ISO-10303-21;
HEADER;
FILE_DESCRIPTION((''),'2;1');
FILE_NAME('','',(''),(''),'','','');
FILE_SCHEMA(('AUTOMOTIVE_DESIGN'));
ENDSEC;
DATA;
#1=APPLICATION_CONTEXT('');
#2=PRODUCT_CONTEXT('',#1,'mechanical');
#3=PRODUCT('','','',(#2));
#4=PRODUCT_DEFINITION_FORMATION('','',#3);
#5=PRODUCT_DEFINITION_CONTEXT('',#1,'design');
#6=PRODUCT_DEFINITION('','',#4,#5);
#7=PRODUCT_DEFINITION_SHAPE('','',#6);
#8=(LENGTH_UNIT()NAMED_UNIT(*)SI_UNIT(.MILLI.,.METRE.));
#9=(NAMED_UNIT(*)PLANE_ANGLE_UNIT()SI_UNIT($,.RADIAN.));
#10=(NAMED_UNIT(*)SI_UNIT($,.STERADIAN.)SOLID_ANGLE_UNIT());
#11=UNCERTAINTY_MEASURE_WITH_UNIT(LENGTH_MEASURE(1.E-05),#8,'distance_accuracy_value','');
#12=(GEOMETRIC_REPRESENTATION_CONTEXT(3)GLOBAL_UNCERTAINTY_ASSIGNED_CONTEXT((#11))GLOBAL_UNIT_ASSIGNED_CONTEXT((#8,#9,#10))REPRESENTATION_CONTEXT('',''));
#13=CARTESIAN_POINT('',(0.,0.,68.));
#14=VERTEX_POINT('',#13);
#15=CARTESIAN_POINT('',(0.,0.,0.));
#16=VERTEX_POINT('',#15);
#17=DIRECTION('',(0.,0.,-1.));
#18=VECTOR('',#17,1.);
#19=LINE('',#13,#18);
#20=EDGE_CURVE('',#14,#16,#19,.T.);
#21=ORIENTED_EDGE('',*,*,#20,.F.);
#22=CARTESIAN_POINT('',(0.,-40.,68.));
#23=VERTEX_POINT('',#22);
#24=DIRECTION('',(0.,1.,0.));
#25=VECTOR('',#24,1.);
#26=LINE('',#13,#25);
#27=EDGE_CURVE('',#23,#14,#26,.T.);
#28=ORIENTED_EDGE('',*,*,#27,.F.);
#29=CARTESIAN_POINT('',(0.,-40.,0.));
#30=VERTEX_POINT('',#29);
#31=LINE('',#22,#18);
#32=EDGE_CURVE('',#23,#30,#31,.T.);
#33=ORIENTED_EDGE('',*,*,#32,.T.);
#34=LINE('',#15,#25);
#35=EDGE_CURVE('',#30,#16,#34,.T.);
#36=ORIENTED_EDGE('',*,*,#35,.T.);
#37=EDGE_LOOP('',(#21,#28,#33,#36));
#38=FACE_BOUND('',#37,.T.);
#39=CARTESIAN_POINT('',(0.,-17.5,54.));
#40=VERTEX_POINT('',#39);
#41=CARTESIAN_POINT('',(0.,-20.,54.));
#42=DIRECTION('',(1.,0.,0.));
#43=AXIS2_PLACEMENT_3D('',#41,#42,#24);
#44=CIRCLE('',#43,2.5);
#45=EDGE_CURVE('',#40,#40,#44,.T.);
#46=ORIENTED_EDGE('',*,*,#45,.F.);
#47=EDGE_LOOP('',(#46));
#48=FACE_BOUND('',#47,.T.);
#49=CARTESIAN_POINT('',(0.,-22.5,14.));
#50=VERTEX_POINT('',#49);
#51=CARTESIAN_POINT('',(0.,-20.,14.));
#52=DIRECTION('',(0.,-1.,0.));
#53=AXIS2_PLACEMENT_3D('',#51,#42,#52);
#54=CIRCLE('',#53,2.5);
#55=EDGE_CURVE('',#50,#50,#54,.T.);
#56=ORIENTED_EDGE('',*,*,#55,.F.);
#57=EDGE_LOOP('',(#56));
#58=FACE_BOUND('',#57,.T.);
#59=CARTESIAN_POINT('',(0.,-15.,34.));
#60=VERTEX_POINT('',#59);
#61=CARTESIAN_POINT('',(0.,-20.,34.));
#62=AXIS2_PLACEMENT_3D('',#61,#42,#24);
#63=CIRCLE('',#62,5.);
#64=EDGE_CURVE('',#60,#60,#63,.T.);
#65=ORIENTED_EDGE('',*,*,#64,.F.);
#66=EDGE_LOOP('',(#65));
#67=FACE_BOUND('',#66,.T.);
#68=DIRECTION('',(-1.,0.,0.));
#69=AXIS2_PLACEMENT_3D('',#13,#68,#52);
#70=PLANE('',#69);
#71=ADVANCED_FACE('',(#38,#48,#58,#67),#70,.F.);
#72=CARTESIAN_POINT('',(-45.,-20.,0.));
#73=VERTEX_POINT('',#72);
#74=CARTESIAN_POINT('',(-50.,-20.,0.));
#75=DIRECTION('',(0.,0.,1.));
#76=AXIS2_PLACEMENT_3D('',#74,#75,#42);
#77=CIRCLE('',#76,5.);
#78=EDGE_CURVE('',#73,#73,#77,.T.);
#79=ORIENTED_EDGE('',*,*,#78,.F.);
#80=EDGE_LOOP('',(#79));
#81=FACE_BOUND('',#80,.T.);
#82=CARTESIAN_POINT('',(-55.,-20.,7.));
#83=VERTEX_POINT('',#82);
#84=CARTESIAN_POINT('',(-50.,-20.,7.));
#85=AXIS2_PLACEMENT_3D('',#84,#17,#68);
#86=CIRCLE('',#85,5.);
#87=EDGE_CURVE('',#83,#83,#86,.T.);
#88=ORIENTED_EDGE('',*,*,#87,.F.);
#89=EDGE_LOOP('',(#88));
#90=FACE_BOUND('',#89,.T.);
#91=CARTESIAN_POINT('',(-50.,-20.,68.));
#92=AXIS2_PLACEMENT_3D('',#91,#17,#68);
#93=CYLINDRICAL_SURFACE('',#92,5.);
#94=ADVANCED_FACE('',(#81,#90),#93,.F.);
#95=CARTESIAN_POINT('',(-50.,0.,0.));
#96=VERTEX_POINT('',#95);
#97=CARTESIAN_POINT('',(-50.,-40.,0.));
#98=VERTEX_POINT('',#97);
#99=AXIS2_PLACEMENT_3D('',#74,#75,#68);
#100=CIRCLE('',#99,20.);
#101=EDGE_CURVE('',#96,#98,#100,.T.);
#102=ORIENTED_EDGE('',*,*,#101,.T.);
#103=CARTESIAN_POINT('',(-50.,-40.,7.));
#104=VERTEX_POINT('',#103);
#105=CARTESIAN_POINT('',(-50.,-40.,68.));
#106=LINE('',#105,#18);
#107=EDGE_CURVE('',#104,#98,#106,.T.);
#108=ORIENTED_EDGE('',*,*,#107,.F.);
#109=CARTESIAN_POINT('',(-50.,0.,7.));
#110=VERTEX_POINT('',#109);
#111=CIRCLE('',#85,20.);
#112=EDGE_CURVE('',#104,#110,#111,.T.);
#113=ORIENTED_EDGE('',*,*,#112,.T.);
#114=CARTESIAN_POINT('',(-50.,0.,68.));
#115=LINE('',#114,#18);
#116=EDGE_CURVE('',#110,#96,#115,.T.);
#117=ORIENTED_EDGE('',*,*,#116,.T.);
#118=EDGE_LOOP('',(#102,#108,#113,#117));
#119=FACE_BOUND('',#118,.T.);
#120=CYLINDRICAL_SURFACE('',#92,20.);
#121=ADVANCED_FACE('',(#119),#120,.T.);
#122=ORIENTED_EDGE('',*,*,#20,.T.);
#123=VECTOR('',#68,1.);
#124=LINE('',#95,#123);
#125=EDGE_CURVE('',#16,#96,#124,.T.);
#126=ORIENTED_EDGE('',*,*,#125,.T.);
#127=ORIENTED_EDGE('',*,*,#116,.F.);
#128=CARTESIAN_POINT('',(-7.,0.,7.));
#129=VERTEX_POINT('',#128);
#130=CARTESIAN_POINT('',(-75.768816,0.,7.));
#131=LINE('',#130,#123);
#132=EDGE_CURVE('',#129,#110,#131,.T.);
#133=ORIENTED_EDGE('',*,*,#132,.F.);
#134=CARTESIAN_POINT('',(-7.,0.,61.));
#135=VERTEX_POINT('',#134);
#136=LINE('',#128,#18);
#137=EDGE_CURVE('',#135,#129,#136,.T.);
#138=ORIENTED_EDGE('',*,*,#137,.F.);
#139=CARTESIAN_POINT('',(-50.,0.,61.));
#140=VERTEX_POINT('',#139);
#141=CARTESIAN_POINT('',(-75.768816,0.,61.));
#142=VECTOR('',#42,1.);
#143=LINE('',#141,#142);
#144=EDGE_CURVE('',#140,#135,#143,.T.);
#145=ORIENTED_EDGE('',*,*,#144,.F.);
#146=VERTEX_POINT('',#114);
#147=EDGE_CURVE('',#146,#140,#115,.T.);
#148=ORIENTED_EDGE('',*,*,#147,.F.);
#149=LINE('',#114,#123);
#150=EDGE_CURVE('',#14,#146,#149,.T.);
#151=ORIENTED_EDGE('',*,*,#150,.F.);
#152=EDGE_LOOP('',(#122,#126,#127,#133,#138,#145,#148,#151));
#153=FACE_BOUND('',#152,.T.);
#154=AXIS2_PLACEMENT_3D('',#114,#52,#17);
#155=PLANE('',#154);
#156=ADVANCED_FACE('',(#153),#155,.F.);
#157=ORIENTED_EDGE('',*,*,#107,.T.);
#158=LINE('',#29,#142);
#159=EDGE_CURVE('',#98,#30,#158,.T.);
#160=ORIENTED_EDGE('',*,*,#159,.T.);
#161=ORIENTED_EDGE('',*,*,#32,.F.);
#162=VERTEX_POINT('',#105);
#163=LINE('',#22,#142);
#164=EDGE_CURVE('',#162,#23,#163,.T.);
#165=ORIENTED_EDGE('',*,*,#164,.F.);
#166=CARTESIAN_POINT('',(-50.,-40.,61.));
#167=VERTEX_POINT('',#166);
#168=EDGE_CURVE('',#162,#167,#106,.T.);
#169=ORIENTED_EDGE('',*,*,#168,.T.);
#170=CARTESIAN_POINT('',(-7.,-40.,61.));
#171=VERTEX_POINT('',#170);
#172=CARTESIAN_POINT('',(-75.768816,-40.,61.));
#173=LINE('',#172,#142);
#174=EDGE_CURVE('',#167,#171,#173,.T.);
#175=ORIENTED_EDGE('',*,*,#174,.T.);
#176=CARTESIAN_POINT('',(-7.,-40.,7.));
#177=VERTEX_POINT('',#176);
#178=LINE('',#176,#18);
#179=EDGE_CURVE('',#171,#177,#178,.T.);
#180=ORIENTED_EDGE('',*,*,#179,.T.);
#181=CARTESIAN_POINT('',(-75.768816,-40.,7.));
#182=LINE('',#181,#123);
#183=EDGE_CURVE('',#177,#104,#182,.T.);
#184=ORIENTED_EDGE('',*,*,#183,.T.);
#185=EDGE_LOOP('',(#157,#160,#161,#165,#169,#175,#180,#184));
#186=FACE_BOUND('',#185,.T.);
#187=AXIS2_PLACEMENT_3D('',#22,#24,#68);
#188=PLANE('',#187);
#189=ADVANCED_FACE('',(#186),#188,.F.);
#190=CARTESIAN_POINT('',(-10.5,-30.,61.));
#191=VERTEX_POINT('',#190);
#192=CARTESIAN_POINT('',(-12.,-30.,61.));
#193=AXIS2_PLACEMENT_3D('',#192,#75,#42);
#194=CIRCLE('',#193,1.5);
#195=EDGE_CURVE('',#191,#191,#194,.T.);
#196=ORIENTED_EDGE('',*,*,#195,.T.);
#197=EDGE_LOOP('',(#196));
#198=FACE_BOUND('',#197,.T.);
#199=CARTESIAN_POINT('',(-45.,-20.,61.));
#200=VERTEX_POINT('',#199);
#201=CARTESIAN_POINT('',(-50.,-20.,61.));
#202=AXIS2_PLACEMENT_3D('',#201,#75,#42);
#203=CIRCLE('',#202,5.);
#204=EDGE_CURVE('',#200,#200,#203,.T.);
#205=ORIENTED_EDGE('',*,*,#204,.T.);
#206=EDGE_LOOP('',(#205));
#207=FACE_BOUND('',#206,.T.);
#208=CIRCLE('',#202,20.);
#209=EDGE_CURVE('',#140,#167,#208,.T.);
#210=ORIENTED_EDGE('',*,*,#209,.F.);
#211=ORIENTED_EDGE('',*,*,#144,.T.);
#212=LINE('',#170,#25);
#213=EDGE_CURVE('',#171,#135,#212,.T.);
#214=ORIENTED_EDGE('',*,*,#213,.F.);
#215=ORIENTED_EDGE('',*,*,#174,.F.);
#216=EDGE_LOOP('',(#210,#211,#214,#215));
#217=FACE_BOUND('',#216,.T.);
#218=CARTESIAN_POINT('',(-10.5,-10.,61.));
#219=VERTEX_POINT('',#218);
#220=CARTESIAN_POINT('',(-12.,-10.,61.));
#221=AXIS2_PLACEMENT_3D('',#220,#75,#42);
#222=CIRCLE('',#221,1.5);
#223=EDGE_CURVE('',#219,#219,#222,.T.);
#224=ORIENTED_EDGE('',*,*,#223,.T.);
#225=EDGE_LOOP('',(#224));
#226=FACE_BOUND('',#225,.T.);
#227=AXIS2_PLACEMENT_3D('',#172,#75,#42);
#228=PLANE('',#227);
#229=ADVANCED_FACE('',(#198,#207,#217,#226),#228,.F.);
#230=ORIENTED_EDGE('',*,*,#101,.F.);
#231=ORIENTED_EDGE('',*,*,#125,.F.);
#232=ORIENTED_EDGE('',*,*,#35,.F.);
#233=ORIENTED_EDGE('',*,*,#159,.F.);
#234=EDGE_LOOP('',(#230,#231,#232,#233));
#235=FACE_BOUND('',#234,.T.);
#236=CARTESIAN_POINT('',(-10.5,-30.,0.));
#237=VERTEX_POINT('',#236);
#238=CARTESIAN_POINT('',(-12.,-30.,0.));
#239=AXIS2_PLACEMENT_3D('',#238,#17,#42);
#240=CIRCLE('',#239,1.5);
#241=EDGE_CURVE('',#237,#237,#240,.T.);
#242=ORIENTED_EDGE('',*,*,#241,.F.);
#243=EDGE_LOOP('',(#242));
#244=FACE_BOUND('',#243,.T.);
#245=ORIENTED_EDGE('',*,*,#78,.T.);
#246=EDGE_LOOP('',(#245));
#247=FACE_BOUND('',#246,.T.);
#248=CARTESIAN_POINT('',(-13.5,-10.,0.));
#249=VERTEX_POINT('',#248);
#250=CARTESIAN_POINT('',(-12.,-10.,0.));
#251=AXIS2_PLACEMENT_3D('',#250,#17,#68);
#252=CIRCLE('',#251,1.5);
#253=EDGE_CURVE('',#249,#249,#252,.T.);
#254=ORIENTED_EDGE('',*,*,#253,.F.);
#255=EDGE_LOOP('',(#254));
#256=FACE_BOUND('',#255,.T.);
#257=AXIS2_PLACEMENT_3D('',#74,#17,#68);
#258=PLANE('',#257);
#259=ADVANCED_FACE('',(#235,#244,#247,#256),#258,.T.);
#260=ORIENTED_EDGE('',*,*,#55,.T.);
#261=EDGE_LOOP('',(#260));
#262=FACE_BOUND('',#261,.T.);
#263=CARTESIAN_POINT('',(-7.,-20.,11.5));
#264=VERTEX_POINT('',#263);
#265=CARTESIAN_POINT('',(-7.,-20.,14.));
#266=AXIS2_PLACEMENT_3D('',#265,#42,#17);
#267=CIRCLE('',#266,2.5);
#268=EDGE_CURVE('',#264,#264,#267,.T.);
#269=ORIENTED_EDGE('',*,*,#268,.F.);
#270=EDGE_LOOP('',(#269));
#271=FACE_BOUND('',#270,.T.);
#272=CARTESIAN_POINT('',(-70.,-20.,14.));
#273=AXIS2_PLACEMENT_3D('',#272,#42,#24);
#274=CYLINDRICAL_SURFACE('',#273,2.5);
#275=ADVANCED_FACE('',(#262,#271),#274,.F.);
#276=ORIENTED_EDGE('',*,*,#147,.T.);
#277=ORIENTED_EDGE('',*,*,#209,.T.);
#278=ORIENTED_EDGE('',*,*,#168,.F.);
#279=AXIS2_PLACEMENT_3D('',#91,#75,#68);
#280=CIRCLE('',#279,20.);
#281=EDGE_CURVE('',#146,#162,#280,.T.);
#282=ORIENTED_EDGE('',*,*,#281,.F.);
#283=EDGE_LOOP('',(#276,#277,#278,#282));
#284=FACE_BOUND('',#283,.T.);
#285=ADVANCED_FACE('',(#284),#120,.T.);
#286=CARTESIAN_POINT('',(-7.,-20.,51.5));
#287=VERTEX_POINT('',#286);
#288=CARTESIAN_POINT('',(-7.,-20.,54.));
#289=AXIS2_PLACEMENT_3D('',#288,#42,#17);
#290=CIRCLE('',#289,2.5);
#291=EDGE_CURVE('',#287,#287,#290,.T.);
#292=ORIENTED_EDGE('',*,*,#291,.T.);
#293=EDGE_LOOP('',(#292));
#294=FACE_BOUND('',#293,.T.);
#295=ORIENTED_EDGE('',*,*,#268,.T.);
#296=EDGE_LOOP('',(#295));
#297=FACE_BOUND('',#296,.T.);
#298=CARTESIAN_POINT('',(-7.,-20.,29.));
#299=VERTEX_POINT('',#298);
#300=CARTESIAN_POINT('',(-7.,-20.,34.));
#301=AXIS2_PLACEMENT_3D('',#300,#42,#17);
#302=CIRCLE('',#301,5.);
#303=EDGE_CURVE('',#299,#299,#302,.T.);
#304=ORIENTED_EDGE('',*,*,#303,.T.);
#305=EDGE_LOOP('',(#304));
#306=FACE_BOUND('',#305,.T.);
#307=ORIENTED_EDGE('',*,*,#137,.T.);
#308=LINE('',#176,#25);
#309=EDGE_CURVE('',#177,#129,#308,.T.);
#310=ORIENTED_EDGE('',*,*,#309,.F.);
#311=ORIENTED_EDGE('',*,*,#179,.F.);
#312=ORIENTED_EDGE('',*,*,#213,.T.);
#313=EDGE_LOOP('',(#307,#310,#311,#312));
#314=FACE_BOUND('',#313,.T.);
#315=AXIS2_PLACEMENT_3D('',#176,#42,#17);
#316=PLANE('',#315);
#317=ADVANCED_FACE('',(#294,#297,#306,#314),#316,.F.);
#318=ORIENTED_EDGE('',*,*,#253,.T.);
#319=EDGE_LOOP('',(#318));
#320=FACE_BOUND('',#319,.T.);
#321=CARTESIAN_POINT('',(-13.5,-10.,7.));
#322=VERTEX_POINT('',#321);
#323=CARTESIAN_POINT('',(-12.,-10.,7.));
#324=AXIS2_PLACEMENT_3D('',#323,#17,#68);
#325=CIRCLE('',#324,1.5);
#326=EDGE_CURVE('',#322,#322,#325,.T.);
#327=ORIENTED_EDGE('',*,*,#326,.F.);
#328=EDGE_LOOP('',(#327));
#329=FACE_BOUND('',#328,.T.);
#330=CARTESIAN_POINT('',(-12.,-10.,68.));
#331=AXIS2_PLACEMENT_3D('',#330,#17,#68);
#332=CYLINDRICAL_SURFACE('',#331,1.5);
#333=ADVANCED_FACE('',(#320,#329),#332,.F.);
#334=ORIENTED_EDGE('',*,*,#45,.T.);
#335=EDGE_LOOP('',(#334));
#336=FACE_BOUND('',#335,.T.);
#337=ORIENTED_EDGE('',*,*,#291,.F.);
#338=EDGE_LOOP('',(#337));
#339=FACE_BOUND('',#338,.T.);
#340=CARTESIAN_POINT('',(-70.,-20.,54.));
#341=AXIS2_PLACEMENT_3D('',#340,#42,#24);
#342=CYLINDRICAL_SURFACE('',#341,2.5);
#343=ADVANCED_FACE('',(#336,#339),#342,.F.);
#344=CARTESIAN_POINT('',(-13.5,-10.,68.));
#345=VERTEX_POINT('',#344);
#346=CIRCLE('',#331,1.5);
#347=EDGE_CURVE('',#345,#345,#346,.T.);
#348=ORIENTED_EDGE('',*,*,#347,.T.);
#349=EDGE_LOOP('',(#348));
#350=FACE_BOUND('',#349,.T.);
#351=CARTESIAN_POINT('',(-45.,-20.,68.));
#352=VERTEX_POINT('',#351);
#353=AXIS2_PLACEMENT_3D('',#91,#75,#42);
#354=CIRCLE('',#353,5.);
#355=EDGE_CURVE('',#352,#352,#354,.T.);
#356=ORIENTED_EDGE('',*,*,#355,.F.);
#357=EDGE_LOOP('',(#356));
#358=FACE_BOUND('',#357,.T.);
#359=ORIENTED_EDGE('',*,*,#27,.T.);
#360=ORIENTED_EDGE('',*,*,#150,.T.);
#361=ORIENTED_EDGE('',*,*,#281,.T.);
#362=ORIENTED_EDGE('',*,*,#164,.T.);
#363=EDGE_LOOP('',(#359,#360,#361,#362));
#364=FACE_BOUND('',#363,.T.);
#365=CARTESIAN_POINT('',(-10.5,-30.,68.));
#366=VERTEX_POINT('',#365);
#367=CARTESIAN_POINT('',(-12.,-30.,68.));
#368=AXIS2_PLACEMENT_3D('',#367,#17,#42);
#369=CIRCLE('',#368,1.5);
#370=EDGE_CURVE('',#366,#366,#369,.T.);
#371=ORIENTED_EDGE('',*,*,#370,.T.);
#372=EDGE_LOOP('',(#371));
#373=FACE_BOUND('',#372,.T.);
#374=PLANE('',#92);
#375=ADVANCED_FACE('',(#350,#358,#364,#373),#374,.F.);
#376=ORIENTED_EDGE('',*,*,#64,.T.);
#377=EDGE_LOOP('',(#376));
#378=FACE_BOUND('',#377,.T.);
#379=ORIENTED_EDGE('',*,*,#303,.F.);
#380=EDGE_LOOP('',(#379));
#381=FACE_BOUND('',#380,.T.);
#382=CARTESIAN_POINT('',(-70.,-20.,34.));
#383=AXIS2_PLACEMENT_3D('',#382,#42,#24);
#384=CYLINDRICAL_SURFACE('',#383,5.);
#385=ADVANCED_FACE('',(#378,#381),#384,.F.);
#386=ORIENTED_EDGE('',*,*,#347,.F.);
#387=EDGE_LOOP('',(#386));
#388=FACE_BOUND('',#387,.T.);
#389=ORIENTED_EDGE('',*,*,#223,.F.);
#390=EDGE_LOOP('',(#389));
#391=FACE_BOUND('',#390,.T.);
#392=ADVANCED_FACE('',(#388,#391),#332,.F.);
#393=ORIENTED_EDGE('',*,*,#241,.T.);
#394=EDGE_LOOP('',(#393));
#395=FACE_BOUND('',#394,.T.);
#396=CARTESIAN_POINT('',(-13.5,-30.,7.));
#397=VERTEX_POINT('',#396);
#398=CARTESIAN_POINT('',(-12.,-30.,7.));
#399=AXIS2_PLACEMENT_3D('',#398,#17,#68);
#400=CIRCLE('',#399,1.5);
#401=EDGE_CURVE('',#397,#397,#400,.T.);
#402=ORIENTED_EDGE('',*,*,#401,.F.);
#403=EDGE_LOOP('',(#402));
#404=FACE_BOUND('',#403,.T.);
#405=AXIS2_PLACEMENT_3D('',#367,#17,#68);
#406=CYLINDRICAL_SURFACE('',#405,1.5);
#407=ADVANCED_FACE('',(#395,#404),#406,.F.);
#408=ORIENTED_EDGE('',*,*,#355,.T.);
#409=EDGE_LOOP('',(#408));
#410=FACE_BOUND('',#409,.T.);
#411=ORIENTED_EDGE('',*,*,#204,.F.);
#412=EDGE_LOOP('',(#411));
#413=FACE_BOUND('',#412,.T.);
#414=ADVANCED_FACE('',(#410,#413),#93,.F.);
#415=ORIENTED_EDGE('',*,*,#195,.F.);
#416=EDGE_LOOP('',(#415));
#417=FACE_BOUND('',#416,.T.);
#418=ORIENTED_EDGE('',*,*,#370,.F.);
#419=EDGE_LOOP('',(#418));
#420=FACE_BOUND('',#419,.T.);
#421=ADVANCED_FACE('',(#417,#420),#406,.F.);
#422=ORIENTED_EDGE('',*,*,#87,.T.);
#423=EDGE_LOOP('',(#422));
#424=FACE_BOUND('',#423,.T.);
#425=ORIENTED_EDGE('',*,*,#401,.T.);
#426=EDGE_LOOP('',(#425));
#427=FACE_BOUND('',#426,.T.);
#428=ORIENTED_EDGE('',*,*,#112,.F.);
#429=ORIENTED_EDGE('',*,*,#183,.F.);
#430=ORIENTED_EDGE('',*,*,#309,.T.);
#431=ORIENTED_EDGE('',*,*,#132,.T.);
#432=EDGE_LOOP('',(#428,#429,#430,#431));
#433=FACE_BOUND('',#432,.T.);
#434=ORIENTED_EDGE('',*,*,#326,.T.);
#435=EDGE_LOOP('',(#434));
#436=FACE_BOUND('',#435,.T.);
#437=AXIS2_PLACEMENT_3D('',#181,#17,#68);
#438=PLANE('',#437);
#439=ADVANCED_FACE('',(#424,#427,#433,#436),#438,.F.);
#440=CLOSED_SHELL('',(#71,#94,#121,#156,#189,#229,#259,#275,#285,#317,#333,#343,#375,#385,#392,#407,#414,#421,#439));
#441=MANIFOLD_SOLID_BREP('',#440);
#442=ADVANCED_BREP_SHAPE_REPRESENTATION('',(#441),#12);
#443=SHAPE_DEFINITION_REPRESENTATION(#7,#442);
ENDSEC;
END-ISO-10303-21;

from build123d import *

# Parameters (mm, degrees)
SKETCH_1_R          = 5
EXTRUDE_1_DEPTH     = 68
SKETCH_2_W          = 68.768815545
SKETCH_2_H          = 54
CUT_EXTRUDE_1_DEPTH = 106.470374987
SKETCH_3_R          = 5
SKETCH_3_R_2        = 2.5
CUT_EXTRUDE_2_DEPTH = 106.470374987
SKETCH_4_R          = 1.5
CUT_EXTRUDE_3_DEPTH = 106.470374987


with BuildPart() as part:
    # ｽｹｯﾁ1 → ﾎﾞｽ - 押し出し1 (new body)
    with BuildSketch(Plane.XY):
        with BuildLine():
            Line((0, 0), (0, -40))
            Line((0, -40), (-50, -40))
            ThreePointArc((-50, -40), (-70, -20), (-50, 0))
            Line((-50, 0), (0, 0))
        make_face()
        with Locations((-50, -20)):
            Circle(SKETCH_1_R, mode=Mode.SUBTRACT)
    extrude(amount=EXTRUDE_1_DEPTH)

    # ｽｹｯﾁ2 → ｶｯﾄ - 押し出し1 (cut, through all)
    with BuildSketch(Plane(origin=(0, 0, 0), x_dir=(1, 0, 0), z_dir=(0, 1, 0))):
        with Locations((-41.384407773, -34)):
            Rectangle(SKETCH_2_W, SKETCH_2_H)
    extrude(amount=-CUT_EXTRUDE_1_DEPTH, mode=Mode.SUBTRACT)

    # ｽｹｯﾁ3 → ｶｯﾄ - 押し出し2 (cut, through all)
    with BuildSketch(Plane(origin=(0, 0, 0), x_dir=(0, 0, -1), z_dir=(1, 0, 0))):
        with Locations(Location((-34, -20, 0), (0, 0, 90))):
            Circle(SKETCH_3_R)
        with Locations(Location((-54, -20, 0), (0, 0, 90))):
            Circle(SKETCH_3_R_2)
        with Locations((-14, -20)):
            Circle(SKETCH_3_R_2)
    extrude(amount=-CUT_EXTRUDE_2_DEPTH, mode=Mode.SUBTRACT)

    # ｽｹｯﾁ4 → ｶｯﾄ - 押し出し3 (cut, through all)
    with BuildSketch(Plane(origin=(0, 0, 0), x_dir=(-1, 0, 0), z_dir=(0, 0, -1))):
        with Locations((12, -10)):
            Circle(SKETCH_4_R)
        with Locations(Location((12, -30, 0), (0, 0, 180))):
            Circle(SKETCH_4_R)
    extrude(amount=-CUT_EXTRUDE_3_DEPTH, mode=Mode.SUBTRACT)


solid = part.part
